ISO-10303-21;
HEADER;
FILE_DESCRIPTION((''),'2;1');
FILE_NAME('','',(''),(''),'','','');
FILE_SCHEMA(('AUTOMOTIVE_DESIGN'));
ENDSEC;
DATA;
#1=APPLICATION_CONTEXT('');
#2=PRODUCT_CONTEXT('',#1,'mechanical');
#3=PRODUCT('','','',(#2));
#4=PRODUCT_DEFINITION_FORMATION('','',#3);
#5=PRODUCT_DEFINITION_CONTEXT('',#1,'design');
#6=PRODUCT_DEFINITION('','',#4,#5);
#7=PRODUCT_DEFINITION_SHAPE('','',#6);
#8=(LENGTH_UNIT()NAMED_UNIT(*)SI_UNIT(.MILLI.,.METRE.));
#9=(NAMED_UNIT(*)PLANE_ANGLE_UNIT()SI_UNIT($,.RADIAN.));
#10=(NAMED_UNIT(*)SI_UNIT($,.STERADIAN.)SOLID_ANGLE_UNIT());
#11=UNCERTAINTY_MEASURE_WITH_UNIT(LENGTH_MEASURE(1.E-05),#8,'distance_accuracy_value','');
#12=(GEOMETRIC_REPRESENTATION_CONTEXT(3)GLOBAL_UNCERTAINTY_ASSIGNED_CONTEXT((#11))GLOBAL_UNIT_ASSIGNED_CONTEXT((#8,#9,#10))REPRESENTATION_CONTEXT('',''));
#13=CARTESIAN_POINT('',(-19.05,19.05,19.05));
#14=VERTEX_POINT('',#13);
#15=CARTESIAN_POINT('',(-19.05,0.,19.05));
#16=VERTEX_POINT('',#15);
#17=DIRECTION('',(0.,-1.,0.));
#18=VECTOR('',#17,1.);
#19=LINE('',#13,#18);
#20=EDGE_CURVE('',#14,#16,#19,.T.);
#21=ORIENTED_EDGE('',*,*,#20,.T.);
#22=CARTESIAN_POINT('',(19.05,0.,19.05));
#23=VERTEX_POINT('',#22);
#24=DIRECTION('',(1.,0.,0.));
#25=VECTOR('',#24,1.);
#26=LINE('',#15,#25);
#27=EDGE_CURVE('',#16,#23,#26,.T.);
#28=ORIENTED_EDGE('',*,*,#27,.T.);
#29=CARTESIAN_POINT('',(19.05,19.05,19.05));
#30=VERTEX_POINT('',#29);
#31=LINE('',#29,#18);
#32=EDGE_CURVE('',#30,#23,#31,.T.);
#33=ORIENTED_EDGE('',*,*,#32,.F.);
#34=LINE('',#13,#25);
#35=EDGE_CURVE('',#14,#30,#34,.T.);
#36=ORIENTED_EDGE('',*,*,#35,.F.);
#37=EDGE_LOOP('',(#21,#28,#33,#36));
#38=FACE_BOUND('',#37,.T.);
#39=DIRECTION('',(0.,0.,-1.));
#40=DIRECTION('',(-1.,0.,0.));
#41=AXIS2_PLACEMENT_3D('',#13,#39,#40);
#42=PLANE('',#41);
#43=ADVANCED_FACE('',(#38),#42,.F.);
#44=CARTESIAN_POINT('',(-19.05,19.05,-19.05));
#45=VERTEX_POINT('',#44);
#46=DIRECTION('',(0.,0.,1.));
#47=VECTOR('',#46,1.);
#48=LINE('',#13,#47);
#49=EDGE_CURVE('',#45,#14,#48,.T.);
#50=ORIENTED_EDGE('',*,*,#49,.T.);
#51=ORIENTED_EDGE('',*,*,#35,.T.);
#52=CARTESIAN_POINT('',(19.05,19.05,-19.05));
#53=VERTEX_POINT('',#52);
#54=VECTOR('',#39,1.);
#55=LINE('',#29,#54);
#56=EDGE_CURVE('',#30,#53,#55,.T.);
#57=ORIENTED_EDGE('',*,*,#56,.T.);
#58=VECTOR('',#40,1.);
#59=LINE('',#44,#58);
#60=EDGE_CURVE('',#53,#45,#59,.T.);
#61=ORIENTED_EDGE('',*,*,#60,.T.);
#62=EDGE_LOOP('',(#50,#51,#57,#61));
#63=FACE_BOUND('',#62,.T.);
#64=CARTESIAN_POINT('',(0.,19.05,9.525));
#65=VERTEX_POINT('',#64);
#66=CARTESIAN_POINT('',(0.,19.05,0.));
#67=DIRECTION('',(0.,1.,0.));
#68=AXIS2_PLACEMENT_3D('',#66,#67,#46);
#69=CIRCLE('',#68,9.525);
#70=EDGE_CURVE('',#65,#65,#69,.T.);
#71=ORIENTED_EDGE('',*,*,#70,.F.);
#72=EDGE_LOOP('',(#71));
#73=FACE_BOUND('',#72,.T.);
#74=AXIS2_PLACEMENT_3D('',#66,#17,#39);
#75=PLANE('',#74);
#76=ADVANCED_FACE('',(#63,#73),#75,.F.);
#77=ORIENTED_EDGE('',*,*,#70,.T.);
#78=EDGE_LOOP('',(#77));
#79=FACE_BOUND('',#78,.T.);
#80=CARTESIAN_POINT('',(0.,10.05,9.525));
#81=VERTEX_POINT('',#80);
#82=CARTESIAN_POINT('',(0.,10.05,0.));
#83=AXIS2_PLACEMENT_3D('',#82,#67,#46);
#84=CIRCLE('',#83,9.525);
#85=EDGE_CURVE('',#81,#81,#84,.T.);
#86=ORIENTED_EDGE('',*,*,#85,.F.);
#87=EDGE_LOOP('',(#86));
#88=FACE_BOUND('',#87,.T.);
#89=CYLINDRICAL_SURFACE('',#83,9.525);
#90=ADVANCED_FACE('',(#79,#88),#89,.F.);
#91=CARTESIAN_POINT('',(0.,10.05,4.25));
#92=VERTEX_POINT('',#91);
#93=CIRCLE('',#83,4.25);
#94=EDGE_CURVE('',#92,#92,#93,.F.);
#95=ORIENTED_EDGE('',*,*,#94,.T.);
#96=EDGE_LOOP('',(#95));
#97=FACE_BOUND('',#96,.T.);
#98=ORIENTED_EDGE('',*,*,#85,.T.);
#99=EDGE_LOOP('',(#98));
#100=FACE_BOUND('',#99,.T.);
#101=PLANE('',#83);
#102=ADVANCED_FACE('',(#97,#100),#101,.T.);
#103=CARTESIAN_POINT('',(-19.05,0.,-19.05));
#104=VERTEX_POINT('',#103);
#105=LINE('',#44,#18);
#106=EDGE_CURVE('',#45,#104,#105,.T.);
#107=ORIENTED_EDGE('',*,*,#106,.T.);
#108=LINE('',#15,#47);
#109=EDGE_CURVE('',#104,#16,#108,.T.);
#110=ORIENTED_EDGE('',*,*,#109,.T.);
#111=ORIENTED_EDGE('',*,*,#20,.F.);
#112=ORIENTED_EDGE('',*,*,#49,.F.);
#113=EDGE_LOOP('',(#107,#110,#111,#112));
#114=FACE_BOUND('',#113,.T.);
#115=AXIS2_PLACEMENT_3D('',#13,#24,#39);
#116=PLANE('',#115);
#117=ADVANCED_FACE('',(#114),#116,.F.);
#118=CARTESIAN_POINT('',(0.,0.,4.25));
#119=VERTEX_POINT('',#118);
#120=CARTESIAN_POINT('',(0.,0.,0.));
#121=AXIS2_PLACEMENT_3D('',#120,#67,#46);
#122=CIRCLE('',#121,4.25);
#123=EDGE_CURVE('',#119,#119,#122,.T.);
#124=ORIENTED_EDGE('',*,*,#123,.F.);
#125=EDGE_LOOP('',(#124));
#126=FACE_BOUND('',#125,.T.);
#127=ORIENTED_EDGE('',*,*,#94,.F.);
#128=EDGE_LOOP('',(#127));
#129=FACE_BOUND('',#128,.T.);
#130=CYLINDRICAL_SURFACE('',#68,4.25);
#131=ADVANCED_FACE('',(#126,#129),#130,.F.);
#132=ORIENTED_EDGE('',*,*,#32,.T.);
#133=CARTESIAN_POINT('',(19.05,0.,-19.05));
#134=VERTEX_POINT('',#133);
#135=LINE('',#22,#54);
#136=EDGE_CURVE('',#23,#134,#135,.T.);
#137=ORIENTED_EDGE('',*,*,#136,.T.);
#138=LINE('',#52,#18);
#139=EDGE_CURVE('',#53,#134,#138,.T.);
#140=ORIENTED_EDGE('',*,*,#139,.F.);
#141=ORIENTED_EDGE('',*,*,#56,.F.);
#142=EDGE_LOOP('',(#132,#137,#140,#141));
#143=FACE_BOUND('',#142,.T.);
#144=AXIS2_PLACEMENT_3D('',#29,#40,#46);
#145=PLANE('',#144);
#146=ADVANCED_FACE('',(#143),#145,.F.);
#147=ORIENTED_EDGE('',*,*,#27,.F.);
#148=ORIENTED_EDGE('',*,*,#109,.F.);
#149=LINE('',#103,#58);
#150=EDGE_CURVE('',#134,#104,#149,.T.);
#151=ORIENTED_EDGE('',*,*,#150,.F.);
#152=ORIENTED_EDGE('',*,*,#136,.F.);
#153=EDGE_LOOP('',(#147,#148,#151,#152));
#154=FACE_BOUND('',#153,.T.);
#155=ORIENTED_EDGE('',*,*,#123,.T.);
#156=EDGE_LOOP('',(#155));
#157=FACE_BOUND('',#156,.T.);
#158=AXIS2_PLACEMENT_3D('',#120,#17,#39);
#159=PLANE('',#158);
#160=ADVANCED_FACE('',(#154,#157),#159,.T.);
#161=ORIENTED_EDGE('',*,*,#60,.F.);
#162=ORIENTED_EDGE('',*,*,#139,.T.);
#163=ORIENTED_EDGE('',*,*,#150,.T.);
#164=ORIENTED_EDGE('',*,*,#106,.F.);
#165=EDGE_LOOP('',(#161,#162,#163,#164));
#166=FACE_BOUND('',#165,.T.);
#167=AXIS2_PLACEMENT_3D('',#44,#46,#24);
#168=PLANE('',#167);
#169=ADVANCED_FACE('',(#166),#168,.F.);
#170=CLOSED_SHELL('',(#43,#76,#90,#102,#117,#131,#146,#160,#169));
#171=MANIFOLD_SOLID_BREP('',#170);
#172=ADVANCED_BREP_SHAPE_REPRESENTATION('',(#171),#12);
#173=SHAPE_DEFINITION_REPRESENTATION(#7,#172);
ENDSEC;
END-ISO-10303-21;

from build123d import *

# Parameters (mm, degrees)
SKETCH1_W              = 38.1
SKETCH1_H              = 38.1
BOSS_EXTRUDE1_DEPTH    = 19.05
M10X1_5_TAPPED_HOLE1_D = 8.5
SKETCH5_R              = 9.525
CUT_EXTRUDE1_DEPTH     = 9


with BuildPart() as part:
    # Sketch1 → Boss-Extrude1 (new body)
    with BuildSketch(Plane(origin=(0, 0, 0), x_dir=(1, 0, 0), z_dir=(0, 1, 0))):
        Rectangle(SKETCH1_W, SKETCH1_H)
    extrude(amount=BOSS_EXTRUDE1_DEPTH)

    # M10x1.5 Tapped Hole1 (through all)
    with Locations(Plane(origin=(0, 19.05, 0), x_dir=(1, 0, 0), z_dir=(0, 1, 0))):
        with Locations((0, 0)):
            Hole(M10X1_5_TAPPED_HOLE1_D / 2)

    # Sketch5 → Cut-Extrude1 (cut)
    with BuildSketch(Plane(origin=(0, 19.05, 0), x_dir=(1, 0, 0), z_dir=(0, 1, 0))):
        with Locations(Location((0, 0, 0), (0, 0, 270))):
            Circle(SKETCH5_R)
    extrude(amount=-CUT_EXTRUDE1_DEPTH, mode=Mode.SUBTRACT)


solid = part.part
